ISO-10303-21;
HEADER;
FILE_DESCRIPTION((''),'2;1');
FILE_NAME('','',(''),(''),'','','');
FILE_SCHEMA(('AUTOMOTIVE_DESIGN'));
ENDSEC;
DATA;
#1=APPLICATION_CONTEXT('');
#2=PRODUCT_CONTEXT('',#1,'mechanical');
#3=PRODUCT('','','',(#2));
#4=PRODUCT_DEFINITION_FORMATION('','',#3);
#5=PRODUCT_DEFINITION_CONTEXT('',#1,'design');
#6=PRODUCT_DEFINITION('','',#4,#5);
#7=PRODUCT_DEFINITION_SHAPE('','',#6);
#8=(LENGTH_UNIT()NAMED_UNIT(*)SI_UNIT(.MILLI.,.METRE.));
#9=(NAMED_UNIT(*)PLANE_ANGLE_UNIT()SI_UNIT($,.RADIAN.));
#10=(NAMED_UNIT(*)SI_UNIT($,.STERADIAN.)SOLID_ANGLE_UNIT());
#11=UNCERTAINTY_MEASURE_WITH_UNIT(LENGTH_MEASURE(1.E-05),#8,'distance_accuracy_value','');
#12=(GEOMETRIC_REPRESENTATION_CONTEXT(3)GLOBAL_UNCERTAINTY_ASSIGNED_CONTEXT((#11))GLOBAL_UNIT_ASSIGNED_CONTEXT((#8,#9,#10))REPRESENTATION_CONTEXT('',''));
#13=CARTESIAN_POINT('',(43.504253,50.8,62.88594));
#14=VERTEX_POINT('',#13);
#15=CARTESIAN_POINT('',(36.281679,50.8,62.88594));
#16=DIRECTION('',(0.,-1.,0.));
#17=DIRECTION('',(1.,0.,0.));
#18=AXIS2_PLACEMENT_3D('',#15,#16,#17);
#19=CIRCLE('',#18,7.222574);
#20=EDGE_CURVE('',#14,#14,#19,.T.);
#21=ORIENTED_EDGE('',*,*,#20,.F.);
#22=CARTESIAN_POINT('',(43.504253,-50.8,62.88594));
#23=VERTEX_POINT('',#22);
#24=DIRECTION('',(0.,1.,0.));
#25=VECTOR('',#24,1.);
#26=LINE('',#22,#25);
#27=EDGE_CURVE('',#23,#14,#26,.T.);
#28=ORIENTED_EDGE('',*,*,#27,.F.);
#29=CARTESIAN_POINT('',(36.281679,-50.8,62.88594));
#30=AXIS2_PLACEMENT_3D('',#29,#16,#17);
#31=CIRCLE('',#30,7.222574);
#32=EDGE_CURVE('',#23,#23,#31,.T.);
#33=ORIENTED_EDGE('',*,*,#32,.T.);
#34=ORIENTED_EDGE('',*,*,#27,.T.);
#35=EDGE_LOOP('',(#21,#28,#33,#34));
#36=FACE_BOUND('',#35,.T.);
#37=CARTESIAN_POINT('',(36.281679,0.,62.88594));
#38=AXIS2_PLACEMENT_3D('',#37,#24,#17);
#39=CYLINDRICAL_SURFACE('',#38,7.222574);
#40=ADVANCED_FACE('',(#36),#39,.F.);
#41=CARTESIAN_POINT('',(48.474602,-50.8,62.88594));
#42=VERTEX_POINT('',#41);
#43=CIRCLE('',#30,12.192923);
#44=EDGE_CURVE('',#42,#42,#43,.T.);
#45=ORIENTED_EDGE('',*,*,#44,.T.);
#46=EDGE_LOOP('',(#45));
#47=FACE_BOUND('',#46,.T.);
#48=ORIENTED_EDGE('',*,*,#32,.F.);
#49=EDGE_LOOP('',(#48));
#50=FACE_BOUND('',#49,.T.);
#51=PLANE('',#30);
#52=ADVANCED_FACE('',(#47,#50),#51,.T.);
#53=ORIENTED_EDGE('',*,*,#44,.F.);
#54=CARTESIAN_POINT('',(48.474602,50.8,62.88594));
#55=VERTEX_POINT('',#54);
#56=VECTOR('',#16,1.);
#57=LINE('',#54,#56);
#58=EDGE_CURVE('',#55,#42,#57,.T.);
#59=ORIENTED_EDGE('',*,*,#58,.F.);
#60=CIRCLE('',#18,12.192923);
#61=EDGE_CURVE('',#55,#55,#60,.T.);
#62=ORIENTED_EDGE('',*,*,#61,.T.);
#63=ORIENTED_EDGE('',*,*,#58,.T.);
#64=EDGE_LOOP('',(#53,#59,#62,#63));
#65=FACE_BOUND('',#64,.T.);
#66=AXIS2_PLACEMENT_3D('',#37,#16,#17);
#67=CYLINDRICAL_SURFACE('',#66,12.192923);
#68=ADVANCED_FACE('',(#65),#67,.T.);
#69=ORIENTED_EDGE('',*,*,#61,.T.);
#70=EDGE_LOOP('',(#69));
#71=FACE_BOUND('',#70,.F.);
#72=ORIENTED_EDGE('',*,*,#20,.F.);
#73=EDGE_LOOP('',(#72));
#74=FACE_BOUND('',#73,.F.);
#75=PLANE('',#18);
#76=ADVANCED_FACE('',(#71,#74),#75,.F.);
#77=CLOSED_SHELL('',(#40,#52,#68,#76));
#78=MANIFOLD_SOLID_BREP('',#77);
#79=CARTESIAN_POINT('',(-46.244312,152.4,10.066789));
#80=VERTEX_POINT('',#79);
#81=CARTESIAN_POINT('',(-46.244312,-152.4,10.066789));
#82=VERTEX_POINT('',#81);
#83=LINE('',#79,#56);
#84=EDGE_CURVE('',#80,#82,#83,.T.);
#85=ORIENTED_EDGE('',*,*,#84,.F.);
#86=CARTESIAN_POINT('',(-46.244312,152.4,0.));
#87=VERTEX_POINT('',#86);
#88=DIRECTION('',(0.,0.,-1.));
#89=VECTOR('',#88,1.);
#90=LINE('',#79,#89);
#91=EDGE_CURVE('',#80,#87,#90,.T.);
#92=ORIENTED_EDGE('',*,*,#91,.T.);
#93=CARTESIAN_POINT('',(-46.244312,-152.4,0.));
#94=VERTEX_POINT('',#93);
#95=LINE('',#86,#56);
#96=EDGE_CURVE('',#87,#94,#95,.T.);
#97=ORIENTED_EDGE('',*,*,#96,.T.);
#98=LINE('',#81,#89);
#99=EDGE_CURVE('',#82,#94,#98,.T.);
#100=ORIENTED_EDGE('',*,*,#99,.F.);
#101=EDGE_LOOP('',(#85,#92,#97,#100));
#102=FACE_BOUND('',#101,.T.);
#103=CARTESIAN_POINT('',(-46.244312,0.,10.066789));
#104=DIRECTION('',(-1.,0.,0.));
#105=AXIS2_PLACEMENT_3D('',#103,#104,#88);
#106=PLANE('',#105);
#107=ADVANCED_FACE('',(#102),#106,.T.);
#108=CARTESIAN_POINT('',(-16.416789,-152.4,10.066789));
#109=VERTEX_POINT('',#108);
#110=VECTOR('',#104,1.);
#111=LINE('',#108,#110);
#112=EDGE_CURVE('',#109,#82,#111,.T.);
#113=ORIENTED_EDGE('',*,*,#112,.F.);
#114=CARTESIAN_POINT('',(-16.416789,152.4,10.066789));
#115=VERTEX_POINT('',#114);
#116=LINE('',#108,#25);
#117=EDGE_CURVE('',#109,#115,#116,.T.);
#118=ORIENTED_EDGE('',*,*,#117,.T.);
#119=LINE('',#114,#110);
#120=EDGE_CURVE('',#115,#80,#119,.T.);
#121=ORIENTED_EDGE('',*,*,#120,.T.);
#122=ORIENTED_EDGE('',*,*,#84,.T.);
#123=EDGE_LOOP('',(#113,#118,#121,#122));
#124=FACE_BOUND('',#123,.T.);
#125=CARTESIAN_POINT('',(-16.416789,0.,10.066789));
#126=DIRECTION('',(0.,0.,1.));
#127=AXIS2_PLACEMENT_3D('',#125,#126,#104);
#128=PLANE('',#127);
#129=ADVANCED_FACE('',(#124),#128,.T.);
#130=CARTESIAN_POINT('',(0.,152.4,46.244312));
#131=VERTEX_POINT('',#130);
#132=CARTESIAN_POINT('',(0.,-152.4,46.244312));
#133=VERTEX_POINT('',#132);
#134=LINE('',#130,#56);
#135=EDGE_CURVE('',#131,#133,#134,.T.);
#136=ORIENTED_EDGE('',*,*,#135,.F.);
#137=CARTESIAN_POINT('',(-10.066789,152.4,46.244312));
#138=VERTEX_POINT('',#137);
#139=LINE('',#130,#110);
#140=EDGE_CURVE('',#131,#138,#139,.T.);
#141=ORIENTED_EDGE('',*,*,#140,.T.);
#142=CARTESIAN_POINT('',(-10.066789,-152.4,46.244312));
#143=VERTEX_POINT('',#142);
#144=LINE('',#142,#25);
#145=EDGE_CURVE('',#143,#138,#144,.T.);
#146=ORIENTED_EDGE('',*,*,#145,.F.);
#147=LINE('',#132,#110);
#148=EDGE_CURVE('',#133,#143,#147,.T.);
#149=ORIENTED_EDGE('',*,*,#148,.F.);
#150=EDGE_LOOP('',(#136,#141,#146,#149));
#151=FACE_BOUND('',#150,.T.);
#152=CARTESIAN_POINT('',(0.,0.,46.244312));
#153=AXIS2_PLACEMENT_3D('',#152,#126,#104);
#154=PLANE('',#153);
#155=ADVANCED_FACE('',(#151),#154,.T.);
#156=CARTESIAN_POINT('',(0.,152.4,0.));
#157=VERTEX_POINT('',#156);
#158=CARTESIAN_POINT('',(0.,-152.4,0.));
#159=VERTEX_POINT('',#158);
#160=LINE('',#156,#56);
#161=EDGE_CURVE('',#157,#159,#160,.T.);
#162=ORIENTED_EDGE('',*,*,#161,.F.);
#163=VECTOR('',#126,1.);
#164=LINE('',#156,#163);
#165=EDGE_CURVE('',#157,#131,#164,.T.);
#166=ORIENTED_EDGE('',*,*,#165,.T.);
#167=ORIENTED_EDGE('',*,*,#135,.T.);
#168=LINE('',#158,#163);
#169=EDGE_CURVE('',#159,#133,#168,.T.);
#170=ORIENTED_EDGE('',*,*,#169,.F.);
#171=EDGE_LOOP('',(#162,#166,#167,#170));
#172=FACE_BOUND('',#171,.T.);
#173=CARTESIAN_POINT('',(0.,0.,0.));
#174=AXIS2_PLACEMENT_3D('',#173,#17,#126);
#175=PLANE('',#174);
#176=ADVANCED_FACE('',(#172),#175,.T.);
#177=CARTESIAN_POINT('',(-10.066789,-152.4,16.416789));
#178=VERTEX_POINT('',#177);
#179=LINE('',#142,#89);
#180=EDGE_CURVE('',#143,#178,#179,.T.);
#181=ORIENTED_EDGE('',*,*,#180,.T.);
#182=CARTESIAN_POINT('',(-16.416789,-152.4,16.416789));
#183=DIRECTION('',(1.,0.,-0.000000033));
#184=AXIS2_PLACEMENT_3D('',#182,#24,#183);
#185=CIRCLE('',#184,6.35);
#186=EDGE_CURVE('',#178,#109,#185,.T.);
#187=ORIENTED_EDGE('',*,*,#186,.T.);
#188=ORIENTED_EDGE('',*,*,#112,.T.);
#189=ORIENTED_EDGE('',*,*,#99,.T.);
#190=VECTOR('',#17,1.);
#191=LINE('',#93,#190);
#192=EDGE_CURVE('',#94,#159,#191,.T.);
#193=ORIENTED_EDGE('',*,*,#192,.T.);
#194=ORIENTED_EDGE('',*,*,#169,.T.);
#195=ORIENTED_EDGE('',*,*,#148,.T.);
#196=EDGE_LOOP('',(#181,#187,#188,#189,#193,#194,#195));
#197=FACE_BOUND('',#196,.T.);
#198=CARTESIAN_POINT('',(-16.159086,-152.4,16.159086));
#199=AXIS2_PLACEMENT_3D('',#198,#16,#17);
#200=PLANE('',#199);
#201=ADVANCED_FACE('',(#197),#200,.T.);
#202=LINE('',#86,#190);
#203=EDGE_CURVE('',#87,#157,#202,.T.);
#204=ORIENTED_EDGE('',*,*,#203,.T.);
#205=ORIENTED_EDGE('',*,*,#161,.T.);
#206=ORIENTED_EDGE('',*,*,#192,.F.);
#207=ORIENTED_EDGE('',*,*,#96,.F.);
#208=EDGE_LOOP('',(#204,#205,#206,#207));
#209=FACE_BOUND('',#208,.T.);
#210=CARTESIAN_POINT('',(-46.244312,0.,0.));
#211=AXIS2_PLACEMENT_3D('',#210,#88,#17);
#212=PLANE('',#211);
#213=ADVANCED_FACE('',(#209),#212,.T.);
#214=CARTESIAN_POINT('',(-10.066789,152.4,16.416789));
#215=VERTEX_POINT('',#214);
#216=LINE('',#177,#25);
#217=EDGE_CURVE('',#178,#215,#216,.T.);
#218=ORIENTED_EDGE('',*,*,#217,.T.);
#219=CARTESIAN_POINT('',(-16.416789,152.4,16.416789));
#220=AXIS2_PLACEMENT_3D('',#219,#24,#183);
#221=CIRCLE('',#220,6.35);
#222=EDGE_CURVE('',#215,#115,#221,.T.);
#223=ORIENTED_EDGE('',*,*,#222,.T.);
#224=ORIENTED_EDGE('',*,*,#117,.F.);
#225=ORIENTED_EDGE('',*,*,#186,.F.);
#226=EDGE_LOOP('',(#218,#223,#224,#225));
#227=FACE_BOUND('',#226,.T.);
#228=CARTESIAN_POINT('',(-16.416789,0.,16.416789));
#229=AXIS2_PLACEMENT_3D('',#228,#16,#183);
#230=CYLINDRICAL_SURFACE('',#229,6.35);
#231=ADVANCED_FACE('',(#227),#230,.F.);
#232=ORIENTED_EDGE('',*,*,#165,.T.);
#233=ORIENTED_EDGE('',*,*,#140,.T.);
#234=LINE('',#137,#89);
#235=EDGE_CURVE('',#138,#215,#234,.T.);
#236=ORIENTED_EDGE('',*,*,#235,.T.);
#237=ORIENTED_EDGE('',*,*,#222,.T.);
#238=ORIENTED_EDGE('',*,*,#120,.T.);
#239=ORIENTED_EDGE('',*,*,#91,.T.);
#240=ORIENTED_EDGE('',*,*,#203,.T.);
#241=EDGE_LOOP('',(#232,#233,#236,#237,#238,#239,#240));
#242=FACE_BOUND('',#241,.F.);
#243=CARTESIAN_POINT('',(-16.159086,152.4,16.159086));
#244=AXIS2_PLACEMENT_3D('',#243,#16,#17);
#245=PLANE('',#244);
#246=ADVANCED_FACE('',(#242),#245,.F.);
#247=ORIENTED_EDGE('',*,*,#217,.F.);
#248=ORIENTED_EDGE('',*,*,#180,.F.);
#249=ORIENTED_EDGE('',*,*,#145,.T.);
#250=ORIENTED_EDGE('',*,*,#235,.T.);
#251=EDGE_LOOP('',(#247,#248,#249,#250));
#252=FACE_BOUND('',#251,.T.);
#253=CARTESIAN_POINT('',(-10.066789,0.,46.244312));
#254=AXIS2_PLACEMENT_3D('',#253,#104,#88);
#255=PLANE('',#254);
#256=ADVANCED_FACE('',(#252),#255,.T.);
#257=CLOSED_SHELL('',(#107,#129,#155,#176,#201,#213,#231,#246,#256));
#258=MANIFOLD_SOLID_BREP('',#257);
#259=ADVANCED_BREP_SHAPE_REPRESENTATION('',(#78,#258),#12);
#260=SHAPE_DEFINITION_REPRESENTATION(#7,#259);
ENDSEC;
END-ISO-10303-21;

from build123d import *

# Parameters (mm, degrees)
F1_DEPTH = 152.4
F2_R     = 12.192923
F2_R_2   = 7.222574
F3_DEPTH = 50.8


with BuildPart() as f1:
    # F0 (on Front) → F1 (new body, symmetric)
    with BuildSketch(Plane.XZ):
        with BuildLine():
            Line((-16.416789, 10.066789), (-46.244312, 10.066789))
            Line((-46.244312, 10.066789), (-46.244312, 0))
            Line((-46.244312, 0), (-10.066789, 0))
            Line((-10.066789, 0), (0, 0))
            Line((0, 0), (0, 10.066789))
            Line((0, 10.066789), (0, 46.244312))
            Line((0, 46.244312), (-10.066789, 46.244312))
            Line((-10.066789, 46.244312), (-10.066789, 16.416789))
            ThreePointArc((-10.066789, 16.416789), (-11.926661, 11.926661), (-16.416789, 10.066789))
        make_face()
    extrude(amount=F1_DEPTH, both=True)


with BuildPart() as f3:
    # F2 (on Front) → F3 (new body, symmetric)
    with BuildSketch(Plane.XZ):
        with Locations((36.281679, 62.88594)):
            Circle(F2_R)
        with Locations((36.281679, 62.88594)):
            Circle(F2_R_2, mode=Mode.SUBTRACT)
    extrude(amount=F3_DEPTH, both=True)


solid = Compound([f1.part, f3.part])
